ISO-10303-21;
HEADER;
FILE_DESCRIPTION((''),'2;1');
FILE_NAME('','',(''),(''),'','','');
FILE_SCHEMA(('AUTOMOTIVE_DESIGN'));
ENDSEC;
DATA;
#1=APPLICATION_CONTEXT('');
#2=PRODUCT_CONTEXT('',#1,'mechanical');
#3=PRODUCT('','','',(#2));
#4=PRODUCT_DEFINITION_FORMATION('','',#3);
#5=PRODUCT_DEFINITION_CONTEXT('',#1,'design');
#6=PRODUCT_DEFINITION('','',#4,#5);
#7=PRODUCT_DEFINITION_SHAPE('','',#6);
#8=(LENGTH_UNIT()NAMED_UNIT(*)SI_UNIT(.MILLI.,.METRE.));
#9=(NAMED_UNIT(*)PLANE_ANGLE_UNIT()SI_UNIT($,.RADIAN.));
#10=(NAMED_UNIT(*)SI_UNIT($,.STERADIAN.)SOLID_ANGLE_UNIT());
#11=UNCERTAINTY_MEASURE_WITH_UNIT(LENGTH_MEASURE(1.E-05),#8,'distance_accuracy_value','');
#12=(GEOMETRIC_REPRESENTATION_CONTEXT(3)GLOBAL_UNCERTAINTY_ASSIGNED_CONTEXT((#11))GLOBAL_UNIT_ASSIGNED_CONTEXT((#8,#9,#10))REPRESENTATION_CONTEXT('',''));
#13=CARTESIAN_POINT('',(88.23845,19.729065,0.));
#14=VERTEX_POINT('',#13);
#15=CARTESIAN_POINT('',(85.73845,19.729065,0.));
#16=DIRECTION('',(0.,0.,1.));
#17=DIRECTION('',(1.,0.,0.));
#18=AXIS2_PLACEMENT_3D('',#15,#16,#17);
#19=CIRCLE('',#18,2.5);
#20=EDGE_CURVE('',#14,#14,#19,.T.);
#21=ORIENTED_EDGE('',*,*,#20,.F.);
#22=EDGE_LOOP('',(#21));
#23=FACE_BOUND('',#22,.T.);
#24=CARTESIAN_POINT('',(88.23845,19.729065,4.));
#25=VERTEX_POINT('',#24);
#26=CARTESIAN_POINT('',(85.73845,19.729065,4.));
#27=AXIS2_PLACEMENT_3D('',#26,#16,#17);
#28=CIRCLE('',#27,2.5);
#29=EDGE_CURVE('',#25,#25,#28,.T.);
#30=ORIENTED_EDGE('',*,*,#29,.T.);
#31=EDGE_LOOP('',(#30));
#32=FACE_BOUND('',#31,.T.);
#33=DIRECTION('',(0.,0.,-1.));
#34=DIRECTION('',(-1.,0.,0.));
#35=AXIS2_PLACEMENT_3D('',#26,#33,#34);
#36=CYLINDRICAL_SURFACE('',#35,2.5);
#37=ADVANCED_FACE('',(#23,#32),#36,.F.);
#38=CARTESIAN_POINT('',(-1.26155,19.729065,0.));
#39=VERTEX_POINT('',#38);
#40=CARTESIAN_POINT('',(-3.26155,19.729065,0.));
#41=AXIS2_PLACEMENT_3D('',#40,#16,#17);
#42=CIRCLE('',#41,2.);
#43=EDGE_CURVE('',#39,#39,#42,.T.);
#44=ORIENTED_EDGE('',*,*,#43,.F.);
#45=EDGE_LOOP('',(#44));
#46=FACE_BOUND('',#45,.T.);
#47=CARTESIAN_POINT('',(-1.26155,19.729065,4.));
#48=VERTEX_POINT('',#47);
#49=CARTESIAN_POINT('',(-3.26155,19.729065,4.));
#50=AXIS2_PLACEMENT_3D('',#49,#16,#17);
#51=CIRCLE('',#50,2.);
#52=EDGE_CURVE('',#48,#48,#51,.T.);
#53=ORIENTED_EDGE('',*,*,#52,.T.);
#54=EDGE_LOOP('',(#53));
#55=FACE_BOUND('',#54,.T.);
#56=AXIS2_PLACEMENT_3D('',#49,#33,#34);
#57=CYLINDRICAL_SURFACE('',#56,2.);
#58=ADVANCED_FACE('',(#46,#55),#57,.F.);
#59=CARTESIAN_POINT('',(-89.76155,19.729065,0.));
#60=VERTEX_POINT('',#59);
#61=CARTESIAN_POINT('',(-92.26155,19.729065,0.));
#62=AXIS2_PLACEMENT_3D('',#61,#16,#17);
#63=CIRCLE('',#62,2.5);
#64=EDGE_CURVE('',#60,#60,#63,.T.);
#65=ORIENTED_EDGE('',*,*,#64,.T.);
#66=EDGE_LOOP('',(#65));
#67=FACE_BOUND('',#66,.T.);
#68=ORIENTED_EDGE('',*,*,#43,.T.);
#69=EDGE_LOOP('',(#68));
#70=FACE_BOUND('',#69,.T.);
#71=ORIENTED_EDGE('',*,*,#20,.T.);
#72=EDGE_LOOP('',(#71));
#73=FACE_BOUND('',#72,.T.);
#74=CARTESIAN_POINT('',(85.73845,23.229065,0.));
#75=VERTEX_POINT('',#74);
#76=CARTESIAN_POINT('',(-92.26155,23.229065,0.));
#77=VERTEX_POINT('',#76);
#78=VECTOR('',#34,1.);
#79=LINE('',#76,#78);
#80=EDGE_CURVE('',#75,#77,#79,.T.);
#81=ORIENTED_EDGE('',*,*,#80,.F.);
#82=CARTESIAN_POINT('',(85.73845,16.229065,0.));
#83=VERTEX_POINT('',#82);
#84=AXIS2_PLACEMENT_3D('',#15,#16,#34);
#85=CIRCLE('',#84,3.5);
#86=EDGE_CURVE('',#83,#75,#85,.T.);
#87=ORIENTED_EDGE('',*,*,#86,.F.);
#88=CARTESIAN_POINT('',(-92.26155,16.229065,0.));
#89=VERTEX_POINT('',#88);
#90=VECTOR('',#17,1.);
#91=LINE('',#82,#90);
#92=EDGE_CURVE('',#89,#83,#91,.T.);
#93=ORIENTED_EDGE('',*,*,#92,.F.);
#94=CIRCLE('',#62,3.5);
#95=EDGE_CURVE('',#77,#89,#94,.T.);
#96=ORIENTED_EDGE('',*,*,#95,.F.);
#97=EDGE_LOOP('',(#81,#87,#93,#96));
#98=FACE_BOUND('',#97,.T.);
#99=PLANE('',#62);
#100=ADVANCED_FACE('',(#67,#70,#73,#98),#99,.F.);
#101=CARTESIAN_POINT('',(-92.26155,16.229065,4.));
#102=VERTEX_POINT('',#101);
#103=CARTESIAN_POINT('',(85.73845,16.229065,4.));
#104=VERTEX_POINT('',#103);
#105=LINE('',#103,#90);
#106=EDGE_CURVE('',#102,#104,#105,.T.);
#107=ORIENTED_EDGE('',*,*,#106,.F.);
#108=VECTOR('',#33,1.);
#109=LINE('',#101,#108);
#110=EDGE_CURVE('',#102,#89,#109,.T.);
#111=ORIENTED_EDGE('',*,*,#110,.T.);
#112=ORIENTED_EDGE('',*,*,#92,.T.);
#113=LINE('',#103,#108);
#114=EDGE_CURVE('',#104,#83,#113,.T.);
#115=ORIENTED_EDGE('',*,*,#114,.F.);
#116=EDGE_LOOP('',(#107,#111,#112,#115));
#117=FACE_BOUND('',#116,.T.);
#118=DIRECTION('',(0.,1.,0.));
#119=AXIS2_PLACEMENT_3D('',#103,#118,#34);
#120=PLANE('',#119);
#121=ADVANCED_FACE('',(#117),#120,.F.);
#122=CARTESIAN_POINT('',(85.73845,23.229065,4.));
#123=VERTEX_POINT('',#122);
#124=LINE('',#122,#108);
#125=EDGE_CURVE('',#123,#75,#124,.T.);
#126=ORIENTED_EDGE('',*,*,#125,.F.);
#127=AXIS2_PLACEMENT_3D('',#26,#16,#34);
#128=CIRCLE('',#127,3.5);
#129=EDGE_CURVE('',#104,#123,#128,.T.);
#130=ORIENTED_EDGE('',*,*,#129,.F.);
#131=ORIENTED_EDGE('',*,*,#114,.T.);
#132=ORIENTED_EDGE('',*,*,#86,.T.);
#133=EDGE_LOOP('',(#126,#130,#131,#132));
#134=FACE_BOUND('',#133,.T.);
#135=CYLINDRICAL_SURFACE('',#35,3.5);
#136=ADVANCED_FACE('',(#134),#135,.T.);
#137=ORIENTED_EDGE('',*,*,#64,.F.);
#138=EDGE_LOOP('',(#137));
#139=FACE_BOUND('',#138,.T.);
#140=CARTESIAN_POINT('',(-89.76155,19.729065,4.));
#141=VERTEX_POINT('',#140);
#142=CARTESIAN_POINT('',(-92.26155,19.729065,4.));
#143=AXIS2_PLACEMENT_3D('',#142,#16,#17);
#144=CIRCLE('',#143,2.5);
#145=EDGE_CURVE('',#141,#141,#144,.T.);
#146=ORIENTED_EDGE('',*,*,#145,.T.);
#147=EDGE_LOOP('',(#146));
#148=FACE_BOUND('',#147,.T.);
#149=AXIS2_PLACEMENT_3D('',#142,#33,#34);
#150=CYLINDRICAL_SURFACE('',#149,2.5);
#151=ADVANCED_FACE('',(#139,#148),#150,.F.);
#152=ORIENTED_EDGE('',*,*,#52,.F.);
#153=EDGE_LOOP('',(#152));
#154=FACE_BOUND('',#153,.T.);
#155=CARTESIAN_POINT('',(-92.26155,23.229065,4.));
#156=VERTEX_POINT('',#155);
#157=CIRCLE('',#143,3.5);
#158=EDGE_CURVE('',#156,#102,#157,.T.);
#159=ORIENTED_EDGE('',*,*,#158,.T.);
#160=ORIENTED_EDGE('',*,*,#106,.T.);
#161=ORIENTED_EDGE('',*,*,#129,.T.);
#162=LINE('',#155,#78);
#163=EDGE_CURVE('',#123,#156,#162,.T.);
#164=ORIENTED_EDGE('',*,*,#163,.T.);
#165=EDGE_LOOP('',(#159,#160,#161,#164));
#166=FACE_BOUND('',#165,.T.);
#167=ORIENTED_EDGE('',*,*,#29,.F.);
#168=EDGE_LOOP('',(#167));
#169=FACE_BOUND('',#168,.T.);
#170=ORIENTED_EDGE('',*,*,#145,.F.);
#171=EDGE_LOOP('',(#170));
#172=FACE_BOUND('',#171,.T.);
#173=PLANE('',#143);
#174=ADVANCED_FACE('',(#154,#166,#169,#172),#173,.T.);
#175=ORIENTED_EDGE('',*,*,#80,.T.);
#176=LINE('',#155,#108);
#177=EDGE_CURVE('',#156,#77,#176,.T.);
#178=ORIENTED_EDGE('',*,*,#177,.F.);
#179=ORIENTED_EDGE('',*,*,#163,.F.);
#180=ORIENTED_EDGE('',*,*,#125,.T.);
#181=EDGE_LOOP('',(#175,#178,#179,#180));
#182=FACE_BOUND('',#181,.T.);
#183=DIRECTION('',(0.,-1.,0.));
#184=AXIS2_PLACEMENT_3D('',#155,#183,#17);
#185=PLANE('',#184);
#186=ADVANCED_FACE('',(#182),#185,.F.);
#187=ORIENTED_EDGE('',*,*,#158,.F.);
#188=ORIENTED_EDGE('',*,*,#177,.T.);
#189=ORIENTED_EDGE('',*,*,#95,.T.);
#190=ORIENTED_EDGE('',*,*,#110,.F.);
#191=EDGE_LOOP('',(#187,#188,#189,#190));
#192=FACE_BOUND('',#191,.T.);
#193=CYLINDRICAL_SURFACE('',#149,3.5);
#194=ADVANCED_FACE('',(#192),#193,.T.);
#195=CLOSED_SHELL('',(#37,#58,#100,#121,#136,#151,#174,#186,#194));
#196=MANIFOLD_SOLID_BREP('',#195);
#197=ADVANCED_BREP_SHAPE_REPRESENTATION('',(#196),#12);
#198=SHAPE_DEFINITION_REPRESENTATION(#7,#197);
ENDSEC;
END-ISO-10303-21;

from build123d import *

# Parameters (mm, degrees)
SKETCH_1_R      = 2.5
SKETCH_1_R_2    = 2
EXTRUDE_1_DEPTH = 4


with BuildPart() as part:
    # 스케치1 → 보스-돌출1 (new body)
    with BuildSketch(Plane.XY):
        with BuildLine():
            Line((-92.261550106, 23.229064941), (85.738449894, 23.229064941))
            ThreePointArc((85.738449894, 23.229064941), (89.238449894, 19.729064941), (85.738449894, 16.229064941))
            Line((85.738449894, 16.229064941), (-92.261550106, 16.229064941))
            ThreePointArc((-92.261550106, 16.229064941), (-95.761550106, 19.729064941), (-92.261550106, 23.229064941))
        make_face()
        with Locations((-92.261550106, 19.729064941)):
            Circle(SKETCH_1_R, mode=Mode.SUBTRACT)
        with Locations((85.738449894, 19.729064941)):
            Circle(SKETCH_1_R, mode=Mode.SUBTRACT)
        with Locations((-3.261550106, 19.729064941)):
            Circle(SKETCH_1_R_2, mode=Mode.SUBTRACT)
    extrude(amount=EXTRUDE_1_DEPTH)


solid = part.part
